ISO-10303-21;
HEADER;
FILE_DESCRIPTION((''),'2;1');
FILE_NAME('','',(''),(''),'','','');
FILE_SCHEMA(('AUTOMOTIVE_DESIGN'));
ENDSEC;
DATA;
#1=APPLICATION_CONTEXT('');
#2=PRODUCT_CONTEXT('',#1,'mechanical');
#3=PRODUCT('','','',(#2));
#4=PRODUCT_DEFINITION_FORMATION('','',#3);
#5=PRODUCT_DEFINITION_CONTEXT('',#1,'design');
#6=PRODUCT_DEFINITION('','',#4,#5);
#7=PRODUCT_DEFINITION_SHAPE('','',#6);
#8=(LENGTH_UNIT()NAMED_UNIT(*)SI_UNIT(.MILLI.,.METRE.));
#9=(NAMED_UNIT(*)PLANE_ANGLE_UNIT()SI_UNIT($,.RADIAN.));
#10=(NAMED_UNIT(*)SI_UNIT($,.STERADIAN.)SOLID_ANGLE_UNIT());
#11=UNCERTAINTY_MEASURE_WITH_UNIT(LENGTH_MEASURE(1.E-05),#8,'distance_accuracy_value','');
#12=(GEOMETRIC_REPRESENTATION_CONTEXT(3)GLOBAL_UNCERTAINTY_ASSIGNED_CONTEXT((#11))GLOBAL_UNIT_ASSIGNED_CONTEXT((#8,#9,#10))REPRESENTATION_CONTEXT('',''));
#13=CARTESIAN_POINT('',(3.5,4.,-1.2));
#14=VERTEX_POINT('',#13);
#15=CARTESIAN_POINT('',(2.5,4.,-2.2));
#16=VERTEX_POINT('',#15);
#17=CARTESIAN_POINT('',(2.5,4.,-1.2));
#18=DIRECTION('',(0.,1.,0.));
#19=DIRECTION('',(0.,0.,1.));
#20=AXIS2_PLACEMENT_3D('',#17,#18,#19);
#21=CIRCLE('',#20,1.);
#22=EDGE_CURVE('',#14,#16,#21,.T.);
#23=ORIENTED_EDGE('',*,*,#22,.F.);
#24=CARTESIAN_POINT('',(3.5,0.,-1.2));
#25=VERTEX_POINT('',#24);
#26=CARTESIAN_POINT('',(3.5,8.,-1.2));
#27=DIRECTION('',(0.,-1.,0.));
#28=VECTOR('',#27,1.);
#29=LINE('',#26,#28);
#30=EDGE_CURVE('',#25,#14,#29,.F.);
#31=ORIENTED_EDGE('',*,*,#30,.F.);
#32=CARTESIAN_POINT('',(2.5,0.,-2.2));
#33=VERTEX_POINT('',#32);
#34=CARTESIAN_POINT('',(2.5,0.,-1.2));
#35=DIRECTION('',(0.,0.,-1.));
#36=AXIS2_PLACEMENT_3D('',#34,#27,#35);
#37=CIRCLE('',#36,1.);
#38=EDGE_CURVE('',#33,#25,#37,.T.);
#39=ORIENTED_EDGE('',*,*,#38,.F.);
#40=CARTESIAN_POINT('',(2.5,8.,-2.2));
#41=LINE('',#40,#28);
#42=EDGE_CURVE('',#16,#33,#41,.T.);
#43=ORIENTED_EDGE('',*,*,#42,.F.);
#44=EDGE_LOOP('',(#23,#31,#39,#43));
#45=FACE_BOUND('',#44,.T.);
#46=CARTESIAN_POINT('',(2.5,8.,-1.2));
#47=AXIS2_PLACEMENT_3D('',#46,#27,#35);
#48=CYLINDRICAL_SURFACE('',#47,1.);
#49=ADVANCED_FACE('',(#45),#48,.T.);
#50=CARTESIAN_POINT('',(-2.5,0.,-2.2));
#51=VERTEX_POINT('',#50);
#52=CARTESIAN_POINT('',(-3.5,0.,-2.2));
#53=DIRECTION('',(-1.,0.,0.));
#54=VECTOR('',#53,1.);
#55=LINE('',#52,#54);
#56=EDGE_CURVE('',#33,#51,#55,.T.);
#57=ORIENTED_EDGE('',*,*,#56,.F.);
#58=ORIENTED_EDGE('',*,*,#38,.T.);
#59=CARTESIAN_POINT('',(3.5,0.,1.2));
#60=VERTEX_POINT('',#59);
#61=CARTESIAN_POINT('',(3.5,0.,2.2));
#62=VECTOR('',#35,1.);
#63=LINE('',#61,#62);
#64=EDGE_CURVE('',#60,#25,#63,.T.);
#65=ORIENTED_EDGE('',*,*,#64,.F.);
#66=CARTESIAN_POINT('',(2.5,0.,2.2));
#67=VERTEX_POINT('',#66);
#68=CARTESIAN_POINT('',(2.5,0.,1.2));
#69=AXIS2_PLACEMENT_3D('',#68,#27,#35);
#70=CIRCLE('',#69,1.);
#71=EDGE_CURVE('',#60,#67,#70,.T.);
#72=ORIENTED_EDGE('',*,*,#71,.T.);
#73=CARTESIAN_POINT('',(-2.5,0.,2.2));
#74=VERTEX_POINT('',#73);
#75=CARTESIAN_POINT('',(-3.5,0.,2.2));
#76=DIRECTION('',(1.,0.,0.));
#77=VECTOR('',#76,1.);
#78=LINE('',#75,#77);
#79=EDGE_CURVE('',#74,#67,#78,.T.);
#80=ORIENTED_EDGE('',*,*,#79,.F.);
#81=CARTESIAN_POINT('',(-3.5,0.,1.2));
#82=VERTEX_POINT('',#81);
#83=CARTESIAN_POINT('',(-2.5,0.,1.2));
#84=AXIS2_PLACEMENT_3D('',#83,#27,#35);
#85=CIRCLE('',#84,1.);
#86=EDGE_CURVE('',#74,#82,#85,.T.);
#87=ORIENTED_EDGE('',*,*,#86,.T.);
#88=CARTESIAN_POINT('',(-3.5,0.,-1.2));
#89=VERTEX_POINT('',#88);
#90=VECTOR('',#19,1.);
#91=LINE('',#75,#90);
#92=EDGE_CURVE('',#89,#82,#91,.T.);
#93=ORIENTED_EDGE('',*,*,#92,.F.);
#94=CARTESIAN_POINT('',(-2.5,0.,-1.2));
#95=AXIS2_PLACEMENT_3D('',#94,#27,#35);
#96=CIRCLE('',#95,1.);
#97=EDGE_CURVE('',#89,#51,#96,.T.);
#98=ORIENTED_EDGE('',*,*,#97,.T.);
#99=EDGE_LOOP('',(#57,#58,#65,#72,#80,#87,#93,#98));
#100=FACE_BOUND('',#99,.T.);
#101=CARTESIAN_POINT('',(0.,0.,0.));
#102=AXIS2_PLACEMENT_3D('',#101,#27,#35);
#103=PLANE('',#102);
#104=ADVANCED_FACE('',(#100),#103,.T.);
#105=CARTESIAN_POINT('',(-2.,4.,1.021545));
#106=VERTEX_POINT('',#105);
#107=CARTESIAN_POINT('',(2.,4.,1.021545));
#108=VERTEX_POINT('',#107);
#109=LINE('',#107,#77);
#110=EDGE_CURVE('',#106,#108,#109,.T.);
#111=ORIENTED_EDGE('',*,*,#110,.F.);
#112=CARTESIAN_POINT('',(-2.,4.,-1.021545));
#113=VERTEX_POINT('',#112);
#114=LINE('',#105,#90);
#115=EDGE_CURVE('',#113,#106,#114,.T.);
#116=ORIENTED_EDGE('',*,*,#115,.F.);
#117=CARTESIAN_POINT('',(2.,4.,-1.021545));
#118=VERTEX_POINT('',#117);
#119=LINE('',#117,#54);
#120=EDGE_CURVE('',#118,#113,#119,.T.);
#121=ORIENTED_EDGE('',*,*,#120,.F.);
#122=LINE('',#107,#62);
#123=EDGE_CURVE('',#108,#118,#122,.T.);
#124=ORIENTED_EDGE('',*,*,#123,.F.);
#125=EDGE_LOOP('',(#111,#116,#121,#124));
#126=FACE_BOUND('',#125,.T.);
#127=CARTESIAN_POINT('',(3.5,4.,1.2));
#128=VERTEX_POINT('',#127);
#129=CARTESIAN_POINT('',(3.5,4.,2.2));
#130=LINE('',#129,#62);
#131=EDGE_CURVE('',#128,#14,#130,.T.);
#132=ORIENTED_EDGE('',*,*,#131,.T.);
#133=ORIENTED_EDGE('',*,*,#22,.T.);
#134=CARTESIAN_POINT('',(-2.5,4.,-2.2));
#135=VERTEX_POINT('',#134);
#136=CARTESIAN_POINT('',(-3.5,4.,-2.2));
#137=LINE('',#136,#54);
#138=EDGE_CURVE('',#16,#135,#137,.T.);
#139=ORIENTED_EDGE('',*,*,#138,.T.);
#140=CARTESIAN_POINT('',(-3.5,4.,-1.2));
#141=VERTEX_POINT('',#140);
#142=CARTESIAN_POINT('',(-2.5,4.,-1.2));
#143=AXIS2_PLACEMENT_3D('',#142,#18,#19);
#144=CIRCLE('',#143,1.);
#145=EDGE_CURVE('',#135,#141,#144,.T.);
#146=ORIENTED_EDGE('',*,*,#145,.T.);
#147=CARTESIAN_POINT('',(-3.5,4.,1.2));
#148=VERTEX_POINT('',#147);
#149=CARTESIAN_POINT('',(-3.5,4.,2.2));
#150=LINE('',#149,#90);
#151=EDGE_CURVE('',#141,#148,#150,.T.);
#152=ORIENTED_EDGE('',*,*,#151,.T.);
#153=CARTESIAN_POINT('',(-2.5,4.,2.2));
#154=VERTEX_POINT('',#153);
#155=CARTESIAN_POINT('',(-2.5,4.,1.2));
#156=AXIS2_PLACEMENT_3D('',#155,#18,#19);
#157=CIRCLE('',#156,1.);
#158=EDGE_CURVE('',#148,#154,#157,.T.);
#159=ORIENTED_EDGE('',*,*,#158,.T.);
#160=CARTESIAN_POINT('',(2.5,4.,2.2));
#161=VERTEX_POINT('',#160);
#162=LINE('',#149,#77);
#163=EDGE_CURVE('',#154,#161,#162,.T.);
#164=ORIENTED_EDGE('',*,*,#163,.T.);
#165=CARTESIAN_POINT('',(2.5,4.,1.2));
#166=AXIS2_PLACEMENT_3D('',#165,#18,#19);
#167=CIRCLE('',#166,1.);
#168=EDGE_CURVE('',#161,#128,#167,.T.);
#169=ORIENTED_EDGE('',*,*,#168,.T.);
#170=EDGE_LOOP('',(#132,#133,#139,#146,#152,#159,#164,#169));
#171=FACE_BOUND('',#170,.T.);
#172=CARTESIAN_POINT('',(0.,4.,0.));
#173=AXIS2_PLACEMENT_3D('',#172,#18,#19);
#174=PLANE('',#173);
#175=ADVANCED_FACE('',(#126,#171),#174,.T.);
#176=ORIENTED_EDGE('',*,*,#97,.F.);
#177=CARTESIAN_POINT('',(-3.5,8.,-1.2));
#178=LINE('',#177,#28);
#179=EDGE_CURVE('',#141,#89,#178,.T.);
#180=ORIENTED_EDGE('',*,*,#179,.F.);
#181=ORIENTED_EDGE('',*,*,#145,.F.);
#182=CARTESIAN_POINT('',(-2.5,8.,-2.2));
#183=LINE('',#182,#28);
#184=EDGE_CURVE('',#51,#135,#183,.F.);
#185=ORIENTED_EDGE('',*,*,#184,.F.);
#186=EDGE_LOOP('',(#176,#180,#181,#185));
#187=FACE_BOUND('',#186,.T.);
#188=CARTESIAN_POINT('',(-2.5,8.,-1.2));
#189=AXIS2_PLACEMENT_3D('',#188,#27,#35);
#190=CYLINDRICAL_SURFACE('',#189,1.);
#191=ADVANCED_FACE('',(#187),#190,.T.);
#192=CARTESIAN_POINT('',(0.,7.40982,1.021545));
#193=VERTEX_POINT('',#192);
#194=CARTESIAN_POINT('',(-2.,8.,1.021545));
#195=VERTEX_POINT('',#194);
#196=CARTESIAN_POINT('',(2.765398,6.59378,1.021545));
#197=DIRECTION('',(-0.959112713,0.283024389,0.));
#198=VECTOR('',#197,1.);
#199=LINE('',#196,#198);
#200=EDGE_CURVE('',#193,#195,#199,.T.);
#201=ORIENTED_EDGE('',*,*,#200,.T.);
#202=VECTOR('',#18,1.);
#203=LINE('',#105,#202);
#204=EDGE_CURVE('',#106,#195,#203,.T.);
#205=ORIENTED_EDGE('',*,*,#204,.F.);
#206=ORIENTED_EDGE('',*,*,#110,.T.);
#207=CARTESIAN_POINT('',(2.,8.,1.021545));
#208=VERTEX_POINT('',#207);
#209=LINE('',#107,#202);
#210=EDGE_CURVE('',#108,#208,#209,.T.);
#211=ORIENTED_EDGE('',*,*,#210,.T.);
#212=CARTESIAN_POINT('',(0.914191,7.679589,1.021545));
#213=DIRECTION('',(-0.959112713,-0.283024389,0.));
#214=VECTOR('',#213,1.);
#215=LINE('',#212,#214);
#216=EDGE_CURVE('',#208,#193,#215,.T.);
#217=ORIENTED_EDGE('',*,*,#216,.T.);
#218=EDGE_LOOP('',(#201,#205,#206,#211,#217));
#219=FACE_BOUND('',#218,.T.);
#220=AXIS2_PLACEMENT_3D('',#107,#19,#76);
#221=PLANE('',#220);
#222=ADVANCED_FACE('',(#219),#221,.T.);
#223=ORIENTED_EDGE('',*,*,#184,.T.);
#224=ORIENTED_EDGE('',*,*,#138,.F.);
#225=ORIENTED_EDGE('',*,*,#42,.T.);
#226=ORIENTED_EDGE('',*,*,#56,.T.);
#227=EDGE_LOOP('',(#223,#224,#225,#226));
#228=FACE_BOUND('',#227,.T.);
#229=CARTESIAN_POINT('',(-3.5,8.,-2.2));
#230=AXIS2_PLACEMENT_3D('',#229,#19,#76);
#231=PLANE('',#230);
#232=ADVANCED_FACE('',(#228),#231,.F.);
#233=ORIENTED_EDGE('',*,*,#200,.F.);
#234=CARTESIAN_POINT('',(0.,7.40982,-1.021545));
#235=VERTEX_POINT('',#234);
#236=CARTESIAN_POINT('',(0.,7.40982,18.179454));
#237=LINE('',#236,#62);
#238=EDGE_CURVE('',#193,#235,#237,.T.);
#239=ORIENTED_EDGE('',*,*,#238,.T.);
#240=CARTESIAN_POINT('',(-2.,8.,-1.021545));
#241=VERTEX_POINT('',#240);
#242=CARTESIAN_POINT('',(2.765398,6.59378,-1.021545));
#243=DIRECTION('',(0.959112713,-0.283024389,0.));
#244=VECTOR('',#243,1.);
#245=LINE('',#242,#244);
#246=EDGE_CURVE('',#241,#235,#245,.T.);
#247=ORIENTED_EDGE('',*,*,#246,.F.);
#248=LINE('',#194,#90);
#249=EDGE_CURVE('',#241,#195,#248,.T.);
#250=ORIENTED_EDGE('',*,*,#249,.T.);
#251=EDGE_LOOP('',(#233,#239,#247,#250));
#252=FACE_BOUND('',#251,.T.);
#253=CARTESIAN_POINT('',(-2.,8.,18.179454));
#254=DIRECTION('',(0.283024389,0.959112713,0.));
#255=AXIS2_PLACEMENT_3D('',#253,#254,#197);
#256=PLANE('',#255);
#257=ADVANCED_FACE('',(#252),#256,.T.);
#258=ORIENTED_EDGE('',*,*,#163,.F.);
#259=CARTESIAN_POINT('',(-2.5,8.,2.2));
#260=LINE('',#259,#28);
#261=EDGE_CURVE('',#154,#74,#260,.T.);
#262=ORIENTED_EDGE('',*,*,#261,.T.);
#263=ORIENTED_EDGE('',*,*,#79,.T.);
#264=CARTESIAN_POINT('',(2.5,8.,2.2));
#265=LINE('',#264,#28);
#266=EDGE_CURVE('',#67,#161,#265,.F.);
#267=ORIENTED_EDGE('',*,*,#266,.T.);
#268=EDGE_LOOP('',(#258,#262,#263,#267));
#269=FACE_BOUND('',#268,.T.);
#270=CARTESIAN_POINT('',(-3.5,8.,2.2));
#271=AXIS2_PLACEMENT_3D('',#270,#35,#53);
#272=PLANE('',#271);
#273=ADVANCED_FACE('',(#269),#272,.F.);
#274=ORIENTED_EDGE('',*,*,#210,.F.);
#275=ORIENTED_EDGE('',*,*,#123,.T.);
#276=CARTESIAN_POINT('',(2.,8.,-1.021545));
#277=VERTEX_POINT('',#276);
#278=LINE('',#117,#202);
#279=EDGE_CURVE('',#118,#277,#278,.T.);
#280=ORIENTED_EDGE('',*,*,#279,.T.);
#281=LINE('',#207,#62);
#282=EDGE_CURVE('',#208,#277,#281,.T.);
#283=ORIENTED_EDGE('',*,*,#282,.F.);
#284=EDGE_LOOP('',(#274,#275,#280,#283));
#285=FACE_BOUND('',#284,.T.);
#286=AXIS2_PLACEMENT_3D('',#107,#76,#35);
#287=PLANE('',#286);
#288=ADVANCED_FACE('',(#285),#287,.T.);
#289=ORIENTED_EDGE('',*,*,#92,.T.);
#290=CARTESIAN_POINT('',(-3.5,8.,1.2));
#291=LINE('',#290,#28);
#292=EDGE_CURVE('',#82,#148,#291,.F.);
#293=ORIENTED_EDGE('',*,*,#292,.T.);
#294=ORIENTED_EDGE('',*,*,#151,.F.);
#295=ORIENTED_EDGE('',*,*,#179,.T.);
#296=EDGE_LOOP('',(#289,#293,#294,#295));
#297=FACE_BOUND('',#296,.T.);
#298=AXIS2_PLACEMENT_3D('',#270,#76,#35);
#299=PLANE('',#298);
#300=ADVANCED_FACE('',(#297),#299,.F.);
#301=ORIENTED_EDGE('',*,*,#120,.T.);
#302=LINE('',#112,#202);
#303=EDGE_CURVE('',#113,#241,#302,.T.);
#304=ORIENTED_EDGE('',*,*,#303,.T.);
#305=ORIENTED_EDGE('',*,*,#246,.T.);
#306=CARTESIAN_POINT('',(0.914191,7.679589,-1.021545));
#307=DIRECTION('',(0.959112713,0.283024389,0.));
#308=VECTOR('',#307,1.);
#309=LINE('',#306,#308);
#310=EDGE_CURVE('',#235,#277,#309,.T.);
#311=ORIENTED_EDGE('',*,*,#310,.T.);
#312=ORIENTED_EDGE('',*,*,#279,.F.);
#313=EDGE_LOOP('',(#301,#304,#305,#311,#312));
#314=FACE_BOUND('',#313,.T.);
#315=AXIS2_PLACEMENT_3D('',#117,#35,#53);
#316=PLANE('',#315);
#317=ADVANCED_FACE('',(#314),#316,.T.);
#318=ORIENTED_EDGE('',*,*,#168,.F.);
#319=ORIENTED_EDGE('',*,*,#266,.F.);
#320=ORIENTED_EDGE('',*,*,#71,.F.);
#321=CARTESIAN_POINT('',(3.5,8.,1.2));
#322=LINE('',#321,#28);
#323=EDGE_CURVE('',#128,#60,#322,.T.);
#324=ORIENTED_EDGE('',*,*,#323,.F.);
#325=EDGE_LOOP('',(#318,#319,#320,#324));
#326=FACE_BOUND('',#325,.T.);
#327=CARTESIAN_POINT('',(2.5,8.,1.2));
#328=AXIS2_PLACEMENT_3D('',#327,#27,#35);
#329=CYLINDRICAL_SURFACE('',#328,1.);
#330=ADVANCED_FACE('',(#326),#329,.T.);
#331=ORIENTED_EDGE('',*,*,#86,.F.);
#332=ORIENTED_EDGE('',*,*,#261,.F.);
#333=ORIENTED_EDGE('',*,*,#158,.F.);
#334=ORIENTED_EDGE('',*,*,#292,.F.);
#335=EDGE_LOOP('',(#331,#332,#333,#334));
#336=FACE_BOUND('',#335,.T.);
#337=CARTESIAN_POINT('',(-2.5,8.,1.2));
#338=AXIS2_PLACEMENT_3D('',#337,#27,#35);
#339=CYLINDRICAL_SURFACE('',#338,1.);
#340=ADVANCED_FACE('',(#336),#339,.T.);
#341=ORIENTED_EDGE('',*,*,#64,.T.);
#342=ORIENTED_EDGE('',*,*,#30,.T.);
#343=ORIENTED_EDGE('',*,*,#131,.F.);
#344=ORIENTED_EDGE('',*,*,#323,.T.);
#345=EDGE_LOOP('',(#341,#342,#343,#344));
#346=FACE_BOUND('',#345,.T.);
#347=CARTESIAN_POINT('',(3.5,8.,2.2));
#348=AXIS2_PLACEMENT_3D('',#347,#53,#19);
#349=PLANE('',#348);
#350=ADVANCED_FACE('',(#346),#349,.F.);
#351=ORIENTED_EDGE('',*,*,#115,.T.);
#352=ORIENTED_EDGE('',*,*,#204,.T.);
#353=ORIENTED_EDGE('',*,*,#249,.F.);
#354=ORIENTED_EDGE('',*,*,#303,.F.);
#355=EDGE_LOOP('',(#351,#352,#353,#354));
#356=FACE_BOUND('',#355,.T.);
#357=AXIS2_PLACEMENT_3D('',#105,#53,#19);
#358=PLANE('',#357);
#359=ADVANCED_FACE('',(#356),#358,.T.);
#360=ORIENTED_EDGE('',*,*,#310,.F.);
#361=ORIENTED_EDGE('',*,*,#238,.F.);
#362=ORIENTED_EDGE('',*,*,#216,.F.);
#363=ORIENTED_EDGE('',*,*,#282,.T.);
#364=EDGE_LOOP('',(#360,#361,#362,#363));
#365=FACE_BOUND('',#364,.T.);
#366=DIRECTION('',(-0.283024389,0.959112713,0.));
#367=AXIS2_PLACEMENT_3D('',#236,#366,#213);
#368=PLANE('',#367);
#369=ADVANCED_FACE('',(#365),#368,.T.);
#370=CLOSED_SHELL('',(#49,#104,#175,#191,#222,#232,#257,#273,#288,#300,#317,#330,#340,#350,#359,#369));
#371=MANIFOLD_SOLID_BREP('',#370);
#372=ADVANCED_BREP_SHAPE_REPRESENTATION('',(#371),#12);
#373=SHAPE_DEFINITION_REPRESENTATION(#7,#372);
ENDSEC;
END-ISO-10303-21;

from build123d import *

# Parameters (mm, degrees)
CROQUIS1_W                 = 7
CROQUIS1_H                 = 4.4
SALIENTE_EXTRUIR1_DEPTH    = 8
CROQUIS2_OUTSIDE_W         = 11.3
CROQUIS2_OUTSIDE_H         = 8.7
CROQUIS2_OUTSIDE_W_2       = 4
CROQUIS2_OUTSIDE_H_2       = 2.04309095
CORTAR_EXTRUIR1_DEPTH      = 4
REDONDEO1_R                = 1
CORTAR_EXTRUIR2_DEPTH      = 2.178454525
CORTAR_EXTRUIR2_DEPTH_BACK = 4.221545475


with BuildPart() as part:
    # Croquis1 → Saliente-Extruir1 (new body)
    with BuildSketch(Plane(origin=(0, 0, 0), x_dir=(1, 0, 0), z_dir=(0, 1, 0))):
        Rectangle(CROQUIS1_W, CROQUIS1_H)
    extrude(amount=SALIENTE_EXTRUIR1_DEPTH)

    # Croquis2 outside → Cortar-Extruir1 (cut)
    with BuildSketch(Plane(origin=(0, 8, 0), x_dir=(1, 0, 0), z_dir=(0, 1, 0))):
        Rectangle(CROQUIS2_OUTSIDE_W, CROQUIS2_OUTSIDE_H)
        Rectangle(CROQUIS2_OUTSIDE_W_2, CROQUIS2_OUTSIDE_H_2, mode=Mode.SUBTRACT)
    extrude(amount=-CORTAR_EXTRUIR1_DEPTH, mode=Mode.SUBTRACT)

    # Redondeo1
    redondeo1_edges = [part.edges().sort_by_distance(p)[0] for p in [
        (3.5, 2, 2.2),
        (-3.5, 2, 2.2),
        (-3.5, 2, -2.2),
        (3.5, 2, -2.2),
    ]]
    fillet(redondeo1_edges, radius=REDONDEO1_R)

    # Croquis3 → Cortar-Extruir2 (cut, two sides)
    with BuildSketch(Plane.XY.offset(1.021545475)) as cortar_extruir2_sk:
        Polygon((-30.213727446, 16.325583484), (-2, 8), (0, 7.409820379), (2, 8), (30.213727446, 16.325583484), (30.213727446, 75.158559162), (-30.213727446, 75.158559162), align=None)
    extrude(amount=CORTAR_EXTRUIR2_DEPTH, mode=Mode.SUBTRACT)
    extrude(cortar_extruir2_sk.sketch, amount=-CORTAR_EXTRUIR2_DEPTH_BACK, mode=Mode.SUBTRACT)


solid = part.part
